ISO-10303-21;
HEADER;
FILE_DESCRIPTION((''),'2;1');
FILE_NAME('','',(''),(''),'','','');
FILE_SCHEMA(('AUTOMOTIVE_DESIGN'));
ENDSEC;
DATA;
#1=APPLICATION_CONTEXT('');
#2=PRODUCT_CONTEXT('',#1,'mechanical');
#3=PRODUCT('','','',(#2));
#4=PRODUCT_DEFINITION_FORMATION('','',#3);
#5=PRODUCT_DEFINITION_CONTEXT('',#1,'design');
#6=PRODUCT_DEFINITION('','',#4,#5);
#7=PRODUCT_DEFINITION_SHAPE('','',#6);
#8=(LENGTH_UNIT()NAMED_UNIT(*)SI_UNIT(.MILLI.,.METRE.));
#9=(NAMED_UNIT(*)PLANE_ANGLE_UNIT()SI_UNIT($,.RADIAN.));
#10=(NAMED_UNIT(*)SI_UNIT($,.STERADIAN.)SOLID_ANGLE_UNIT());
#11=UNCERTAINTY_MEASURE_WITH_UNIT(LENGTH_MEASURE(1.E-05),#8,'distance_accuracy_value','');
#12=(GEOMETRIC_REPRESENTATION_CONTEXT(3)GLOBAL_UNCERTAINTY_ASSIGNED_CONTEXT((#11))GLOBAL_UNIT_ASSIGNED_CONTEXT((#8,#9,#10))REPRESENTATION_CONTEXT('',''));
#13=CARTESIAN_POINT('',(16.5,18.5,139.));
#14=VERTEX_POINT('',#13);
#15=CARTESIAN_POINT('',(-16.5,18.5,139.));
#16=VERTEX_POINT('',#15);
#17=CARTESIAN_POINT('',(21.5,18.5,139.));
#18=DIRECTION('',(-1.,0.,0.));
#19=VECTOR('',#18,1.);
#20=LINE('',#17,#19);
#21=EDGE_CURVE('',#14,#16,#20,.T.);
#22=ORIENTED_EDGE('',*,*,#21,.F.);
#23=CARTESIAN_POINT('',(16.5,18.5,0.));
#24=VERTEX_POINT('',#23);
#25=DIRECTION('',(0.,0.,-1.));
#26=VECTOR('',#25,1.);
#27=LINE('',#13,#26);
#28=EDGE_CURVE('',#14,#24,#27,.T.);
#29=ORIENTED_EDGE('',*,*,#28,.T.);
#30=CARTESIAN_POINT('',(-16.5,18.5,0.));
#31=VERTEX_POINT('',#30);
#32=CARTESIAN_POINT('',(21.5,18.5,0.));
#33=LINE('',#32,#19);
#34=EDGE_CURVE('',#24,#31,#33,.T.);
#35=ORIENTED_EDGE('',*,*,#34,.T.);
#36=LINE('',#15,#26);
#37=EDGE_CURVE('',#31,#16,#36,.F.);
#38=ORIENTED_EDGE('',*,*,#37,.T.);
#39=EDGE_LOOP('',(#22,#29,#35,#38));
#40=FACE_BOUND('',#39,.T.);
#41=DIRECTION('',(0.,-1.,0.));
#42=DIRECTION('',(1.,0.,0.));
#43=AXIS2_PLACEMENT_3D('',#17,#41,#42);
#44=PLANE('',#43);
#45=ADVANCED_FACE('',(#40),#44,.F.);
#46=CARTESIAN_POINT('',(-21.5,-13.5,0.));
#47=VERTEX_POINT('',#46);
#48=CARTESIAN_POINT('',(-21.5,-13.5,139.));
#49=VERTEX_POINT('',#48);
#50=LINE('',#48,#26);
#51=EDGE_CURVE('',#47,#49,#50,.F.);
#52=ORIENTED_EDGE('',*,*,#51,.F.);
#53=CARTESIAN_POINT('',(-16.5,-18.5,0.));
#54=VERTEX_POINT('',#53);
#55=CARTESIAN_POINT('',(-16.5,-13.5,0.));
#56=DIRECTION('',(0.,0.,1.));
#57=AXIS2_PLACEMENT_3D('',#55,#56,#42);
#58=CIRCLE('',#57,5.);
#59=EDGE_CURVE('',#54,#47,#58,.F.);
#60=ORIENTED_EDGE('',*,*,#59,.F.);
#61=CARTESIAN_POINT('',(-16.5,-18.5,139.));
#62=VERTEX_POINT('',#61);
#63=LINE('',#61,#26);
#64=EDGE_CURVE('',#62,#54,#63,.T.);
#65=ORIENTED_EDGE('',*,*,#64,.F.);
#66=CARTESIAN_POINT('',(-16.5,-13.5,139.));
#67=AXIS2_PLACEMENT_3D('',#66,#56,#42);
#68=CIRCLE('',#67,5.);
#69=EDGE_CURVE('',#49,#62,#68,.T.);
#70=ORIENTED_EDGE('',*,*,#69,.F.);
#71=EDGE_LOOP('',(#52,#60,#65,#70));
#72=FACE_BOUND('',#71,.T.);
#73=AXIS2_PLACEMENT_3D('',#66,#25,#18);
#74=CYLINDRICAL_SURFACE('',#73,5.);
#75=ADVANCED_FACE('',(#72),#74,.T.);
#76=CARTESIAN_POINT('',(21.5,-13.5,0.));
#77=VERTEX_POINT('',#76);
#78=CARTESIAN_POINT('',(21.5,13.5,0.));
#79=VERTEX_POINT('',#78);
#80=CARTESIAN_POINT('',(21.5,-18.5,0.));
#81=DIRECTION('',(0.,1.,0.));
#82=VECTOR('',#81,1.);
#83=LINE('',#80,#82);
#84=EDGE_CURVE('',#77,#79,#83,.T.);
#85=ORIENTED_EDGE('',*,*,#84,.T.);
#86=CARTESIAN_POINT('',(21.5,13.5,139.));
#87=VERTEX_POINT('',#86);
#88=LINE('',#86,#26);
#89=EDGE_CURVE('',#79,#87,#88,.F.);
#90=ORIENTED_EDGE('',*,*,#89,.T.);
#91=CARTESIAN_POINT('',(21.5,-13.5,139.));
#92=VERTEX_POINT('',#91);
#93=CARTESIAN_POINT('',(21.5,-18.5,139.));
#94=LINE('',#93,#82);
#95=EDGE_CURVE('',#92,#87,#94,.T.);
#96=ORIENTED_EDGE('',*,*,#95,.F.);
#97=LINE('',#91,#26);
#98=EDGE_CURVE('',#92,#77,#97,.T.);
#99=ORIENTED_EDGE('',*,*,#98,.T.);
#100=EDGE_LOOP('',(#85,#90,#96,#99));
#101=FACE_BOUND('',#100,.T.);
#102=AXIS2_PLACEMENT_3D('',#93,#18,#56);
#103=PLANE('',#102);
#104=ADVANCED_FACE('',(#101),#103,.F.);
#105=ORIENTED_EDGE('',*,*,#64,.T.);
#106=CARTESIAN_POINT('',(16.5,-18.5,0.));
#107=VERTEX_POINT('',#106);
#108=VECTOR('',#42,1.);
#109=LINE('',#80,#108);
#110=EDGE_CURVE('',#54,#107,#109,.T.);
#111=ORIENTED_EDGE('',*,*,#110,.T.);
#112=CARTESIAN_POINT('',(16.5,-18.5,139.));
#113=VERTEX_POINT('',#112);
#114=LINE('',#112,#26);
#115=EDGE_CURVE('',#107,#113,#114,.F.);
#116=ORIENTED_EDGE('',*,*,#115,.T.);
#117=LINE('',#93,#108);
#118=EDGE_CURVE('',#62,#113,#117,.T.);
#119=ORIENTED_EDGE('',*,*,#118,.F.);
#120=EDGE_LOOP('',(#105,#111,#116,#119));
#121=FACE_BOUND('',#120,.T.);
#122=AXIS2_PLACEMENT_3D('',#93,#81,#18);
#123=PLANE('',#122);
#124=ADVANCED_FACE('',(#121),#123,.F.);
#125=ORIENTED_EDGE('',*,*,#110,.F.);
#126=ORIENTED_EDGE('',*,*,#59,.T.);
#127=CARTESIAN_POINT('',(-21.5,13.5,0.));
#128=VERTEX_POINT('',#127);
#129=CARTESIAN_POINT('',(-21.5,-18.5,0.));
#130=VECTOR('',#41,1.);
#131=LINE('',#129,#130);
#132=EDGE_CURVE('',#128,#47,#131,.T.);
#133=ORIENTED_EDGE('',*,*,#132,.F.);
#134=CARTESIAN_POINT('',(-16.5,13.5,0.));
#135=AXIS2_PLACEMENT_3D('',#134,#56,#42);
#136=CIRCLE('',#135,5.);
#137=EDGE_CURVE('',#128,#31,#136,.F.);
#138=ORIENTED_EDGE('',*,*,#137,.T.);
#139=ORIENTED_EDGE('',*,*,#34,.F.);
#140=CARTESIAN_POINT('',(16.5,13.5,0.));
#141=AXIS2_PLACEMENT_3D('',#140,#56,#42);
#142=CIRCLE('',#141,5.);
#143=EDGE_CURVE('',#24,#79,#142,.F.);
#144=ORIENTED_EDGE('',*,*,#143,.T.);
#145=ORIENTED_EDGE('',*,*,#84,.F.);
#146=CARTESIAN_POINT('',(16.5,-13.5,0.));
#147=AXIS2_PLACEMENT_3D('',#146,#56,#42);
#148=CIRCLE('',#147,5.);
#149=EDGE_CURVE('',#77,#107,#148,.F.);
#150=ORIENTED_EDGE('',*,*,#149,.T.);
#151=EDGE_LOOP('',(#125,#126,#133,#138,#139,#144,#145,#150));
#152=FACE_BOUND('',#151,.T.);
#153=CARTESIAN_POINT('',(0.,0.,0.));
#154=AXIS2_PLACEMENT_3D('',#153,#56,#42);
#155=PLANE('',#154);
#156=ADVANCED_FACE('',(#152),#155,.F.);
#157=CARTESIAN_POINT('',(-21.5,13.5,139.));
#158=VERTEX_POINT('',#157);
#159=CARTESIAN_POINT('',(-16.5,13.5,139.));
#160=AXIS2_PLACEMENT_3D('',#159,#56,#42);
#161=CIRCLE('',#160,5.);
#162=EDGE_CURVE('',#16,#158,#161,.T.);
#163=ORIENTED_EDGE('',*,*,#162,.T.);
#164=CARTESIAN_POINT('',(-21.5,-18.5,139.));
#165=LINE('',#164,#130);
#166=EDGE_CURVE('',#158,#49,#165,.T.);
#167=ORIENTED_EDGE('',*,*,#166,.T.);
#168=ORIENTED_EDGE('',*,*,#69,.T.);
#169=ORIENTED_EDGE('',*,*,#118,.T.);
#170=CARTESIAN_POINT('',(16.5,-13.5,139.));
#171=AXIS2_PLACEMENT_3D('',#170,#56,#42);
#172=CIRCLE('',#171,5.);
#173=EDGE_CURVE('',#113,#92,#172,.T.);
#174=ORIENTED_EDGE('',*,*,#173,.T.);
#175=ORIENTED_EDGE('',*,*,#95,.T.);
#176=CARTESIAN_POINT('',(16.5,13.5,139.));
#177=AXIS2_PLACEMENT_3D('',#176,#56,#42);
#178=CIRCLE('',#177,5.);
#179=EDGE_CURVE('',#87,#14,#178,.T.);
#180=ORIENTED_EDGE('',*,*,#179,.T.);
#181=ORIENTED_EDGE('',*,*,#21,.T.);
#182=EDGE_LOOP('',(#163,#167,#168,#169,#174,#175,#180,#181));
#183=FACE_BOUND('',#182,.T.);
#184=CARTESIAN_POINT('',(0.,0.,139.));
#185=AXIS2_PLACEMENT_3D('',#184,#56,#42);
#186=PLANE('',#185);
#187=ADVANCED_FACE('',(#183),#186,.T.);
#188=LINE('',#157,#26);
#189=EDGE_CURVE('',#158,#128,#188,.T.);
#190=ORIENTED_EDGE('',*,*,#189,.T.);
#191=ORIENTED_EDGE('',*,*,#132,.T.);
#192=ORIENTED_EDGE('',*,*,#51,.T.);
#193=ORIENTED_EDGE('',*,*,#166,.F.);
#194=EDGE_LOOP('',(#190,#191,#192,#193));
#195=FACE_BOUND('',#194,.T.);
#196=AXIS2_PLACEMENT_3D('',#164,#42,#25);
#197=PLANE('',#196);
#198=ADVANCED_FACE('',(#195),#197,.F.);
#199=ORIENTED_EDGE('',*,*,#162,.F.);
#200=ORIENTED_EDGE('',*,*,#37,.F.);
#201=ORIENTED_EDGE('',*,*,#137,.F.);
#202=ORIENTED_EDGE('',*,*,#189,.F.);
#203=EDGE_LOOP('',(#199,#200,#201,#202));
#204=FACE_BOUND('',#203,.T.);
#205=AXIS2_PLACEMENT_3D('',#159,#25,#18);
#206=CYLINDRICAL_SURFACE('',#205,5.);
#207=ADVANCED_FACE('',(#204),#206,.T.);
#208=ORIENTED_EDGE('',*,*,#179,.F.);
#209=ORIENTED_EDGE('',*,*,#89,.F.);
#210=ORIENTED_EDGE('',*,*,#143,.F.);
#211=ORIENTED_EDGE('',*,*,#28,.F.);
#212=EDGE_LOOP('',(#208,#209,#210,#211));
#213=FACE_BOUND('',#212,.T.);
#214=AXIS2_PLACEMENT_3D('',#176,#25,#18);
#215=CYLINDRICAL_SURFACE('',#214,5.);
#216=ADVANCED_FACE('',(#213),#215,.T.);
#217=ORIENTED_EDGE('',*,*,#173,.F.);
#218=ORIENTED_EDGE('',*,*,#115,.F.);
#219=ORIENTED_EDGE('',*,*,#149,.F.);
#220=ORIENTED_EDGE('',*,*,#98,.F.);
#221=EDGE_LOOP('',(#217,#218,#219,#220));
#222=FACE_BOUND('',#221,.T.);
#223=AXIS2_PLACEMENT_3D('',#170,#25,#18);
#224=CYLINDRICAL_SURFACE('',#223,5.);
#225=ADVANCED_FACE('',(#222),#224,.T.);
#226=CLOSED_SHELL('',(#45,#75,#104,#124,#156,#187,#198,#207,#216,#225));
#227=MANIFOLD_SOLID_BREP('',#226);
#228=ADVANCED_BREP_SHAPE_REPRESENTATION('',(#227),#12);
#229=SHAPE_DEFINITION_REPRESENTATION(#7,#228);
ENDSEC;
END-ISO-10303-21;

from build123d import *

# Parameters (mm, degrees)
SKETCH_1_W      = 43
SKETCH_1_H      = 37
EXTRUDE_1_DEPTH = 139
FILLET_1_R      = 5


with BuildPart() as part:
    # 草图1 → 凸台-拉伸1 (new body)
    with BuildSketch(Plane.XY):
        Rectangle(SKETCH_1_W, SKETCH_1_H)
    extrude(amount=EXTRUDE_1_DEPTH)

    # 圆角1
    fillet_1_edges = [part.edges().sort_by_distance(p)[0] for p in [
        (-21.5, 18.5, 69.5),
        (21.5, 18.5, 69.5),
        (21.5, -18.5, 69.5),
        (-21.5, -18.5, 69.5),
    ]]
    fillet(fillet_1_edges, radius=FILLET_1_R)


solid = part.part
